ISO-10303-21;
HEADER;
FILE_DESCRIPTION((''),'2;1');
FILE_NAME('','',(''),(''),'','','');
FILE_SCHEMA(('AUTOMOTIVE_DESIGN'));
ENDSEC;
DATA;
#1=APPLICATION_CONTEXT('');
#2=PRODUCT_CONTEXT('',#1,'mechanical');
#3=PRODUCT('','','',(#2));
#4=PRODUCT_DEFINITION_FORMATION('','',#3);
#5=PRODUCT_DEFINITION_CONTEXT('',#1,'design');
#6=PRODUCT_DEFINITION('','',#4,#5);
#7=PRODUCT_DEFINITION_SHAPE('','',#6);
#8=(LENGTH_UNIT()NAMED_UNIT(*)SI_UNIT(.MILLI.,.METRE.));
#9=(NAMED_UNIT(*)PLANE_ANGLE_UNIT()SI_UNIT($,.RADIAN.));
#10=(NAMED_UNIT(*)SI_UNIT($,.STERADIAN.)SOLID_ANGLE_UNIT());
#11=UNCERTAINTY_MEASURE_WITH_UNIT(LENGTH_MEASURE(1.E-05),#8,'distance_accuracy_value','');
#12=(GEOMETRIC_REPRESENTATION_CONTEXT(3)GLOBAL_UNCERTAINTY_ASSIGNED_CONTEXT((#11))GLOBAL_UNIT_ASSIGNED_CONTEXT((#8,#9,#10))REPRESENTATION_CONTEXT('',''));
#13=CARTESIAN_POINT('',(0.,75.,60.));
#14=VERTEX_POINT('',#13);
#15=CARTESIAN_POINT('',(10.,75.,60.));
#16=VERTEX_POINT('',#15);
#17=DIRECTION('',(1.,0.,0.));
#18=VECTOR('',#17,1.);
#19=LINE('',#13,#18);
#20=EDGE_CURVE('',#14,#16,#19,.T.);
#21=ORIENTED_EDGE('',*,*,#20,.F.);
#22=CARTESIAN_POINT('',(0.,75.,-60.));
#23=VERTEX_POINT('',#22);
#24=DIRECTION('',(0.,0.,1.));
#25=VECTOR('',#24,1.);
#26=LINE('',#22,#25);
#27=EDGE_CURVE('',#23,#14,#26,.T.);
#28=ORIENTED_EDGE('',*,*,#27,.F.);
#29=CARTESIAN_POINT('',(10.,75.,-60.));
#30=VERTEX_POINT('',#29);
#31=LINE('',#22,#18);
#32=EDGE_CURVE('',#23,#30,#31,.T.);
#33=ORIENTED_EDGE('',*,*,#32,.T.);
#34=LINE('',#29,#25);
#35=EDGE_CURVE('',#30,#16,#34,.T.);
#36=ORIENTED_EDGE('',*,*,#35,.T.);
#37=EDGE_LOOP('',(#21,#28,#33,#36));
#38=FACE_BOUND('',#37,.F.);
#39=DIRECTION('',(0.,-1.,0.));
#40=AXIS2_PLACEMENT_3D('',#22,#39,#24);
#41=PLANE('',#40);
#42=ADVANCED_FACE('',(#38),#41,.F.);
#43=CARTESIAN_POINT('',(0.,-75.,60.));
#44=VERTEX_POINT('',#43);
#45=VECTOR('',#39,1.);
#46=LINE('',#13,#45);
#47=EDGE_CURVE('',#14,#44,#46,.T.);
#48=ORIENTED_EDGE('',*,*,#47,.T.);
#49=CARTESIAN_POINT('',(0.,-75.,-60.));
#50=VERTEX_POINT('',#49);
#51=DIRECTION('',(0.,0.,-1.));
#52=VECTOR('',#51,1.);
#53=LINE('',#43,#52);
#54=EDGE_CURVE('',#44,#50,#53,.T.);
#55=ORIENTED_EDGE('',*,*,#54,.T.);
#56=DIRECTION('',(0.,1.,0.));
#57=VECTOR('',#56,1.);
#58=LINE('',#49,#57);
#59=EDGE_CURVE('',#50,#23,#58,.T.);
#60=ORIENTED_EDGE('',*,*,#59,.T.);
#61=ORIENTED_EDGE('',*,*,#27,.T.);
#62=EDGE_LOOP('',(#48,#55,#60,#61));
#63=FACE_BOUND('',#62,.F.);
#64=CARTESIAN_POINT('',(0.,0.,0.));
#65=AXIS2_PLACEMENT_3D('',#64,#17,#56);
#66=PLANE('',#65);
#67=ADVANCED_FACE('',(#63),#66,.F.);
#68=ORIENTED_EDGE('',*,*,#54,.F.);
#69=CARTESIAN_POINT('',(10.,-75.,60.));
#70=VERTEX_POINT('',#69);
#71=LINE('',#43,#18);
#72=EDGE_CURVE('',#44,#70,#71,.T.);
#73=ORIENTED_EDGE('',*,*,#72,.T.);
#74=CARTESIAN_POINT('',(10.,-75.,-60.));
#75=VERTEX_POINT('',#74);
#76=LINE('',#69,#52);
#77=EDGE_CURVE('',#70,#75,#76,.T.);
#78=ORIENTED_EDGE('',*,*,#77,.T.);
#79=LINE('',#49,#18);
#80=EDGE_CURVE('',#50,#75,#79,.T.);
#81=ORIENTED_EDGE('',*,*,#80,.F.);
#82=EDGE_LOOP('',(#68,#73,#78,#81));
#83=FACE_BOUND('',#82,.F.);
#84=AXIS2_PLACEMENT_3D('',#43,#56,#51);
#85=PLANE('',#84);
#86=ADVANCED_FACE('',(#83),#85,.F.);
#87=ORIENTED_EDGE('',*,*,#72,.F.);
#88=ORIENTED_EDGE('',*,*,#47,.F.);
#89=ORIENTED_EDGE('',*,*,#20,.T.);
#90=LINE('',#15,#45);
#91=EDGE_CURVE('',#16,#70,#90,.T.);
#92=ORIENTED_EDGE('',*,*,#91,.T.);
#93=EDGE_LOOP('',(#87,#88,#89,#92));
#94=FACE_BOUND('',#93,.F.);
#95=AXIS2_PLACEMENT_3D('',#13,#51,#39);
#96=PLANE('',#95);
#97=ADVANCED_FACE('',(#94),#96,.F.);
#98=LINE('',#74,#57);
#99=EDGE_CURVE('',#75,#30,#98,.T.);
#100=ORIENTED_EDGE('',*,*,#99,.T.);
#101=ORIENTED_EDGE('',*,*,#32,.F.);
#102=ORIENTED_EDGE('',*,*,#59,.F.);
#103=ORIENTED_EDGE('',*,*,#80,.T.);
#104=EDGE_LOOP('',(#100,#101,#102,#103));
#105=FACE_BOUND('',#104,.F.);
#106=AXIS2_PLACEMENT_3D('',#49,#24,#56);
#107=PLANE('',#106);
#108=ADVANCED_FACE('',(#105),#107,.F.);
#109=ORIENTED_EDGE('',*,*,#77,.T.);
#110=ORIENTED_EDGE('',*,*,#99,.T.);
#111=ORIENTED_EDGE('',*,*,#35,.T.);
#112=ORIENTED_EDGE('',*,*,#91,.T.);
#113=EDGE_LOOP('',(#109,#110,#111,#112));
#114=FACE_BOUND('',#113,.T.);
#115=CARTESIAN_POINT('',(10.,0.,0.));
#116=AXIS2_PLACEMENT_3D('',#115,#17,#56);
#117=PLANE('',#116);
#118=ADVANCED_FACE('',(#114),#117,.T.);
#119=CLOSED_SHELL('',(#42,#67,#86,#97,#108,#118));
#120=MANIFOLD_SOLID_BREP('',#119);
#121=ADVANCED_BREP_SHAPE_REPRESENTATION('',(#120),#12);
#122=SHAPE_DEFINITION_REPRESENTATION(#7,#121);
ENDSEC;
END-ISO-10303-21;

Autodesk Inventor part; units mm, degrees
ref_plane "YZ Plane" through (0, 0, 0) normal (1, 0, 0) x (0, 1, 0)
ref_plane "XZ Plane" through (0, 0, 0) normal (0, 1, 0) x (-1, 0, 0)
ref_plane "XY Plane" through (0, 0, 0) normal (0, 0, 1) x (1, 0, 0)
sketch "Sketch1" plane through (0, 0, 0) normal (1, 0, 0) x (0, 1, 0)
  line L0 (-75, -60) -> (75, -60)
  line L1 (75, -60) -> (75, 60)
  line L2 (75, 60) -> (-75, 60)
  line L3 (-75, 60) -> (-75, -60)
  line L4 (-75, -60) -> (75, 60) construction
  line L5 (75, -60) -> (-75, 60) construction
  point P0 (0, 0)
  dimension "d0" = 150
  dimension "d1" = 120
extrude "Extrusion1" add sketch "Sketch1" along normal blind 10
